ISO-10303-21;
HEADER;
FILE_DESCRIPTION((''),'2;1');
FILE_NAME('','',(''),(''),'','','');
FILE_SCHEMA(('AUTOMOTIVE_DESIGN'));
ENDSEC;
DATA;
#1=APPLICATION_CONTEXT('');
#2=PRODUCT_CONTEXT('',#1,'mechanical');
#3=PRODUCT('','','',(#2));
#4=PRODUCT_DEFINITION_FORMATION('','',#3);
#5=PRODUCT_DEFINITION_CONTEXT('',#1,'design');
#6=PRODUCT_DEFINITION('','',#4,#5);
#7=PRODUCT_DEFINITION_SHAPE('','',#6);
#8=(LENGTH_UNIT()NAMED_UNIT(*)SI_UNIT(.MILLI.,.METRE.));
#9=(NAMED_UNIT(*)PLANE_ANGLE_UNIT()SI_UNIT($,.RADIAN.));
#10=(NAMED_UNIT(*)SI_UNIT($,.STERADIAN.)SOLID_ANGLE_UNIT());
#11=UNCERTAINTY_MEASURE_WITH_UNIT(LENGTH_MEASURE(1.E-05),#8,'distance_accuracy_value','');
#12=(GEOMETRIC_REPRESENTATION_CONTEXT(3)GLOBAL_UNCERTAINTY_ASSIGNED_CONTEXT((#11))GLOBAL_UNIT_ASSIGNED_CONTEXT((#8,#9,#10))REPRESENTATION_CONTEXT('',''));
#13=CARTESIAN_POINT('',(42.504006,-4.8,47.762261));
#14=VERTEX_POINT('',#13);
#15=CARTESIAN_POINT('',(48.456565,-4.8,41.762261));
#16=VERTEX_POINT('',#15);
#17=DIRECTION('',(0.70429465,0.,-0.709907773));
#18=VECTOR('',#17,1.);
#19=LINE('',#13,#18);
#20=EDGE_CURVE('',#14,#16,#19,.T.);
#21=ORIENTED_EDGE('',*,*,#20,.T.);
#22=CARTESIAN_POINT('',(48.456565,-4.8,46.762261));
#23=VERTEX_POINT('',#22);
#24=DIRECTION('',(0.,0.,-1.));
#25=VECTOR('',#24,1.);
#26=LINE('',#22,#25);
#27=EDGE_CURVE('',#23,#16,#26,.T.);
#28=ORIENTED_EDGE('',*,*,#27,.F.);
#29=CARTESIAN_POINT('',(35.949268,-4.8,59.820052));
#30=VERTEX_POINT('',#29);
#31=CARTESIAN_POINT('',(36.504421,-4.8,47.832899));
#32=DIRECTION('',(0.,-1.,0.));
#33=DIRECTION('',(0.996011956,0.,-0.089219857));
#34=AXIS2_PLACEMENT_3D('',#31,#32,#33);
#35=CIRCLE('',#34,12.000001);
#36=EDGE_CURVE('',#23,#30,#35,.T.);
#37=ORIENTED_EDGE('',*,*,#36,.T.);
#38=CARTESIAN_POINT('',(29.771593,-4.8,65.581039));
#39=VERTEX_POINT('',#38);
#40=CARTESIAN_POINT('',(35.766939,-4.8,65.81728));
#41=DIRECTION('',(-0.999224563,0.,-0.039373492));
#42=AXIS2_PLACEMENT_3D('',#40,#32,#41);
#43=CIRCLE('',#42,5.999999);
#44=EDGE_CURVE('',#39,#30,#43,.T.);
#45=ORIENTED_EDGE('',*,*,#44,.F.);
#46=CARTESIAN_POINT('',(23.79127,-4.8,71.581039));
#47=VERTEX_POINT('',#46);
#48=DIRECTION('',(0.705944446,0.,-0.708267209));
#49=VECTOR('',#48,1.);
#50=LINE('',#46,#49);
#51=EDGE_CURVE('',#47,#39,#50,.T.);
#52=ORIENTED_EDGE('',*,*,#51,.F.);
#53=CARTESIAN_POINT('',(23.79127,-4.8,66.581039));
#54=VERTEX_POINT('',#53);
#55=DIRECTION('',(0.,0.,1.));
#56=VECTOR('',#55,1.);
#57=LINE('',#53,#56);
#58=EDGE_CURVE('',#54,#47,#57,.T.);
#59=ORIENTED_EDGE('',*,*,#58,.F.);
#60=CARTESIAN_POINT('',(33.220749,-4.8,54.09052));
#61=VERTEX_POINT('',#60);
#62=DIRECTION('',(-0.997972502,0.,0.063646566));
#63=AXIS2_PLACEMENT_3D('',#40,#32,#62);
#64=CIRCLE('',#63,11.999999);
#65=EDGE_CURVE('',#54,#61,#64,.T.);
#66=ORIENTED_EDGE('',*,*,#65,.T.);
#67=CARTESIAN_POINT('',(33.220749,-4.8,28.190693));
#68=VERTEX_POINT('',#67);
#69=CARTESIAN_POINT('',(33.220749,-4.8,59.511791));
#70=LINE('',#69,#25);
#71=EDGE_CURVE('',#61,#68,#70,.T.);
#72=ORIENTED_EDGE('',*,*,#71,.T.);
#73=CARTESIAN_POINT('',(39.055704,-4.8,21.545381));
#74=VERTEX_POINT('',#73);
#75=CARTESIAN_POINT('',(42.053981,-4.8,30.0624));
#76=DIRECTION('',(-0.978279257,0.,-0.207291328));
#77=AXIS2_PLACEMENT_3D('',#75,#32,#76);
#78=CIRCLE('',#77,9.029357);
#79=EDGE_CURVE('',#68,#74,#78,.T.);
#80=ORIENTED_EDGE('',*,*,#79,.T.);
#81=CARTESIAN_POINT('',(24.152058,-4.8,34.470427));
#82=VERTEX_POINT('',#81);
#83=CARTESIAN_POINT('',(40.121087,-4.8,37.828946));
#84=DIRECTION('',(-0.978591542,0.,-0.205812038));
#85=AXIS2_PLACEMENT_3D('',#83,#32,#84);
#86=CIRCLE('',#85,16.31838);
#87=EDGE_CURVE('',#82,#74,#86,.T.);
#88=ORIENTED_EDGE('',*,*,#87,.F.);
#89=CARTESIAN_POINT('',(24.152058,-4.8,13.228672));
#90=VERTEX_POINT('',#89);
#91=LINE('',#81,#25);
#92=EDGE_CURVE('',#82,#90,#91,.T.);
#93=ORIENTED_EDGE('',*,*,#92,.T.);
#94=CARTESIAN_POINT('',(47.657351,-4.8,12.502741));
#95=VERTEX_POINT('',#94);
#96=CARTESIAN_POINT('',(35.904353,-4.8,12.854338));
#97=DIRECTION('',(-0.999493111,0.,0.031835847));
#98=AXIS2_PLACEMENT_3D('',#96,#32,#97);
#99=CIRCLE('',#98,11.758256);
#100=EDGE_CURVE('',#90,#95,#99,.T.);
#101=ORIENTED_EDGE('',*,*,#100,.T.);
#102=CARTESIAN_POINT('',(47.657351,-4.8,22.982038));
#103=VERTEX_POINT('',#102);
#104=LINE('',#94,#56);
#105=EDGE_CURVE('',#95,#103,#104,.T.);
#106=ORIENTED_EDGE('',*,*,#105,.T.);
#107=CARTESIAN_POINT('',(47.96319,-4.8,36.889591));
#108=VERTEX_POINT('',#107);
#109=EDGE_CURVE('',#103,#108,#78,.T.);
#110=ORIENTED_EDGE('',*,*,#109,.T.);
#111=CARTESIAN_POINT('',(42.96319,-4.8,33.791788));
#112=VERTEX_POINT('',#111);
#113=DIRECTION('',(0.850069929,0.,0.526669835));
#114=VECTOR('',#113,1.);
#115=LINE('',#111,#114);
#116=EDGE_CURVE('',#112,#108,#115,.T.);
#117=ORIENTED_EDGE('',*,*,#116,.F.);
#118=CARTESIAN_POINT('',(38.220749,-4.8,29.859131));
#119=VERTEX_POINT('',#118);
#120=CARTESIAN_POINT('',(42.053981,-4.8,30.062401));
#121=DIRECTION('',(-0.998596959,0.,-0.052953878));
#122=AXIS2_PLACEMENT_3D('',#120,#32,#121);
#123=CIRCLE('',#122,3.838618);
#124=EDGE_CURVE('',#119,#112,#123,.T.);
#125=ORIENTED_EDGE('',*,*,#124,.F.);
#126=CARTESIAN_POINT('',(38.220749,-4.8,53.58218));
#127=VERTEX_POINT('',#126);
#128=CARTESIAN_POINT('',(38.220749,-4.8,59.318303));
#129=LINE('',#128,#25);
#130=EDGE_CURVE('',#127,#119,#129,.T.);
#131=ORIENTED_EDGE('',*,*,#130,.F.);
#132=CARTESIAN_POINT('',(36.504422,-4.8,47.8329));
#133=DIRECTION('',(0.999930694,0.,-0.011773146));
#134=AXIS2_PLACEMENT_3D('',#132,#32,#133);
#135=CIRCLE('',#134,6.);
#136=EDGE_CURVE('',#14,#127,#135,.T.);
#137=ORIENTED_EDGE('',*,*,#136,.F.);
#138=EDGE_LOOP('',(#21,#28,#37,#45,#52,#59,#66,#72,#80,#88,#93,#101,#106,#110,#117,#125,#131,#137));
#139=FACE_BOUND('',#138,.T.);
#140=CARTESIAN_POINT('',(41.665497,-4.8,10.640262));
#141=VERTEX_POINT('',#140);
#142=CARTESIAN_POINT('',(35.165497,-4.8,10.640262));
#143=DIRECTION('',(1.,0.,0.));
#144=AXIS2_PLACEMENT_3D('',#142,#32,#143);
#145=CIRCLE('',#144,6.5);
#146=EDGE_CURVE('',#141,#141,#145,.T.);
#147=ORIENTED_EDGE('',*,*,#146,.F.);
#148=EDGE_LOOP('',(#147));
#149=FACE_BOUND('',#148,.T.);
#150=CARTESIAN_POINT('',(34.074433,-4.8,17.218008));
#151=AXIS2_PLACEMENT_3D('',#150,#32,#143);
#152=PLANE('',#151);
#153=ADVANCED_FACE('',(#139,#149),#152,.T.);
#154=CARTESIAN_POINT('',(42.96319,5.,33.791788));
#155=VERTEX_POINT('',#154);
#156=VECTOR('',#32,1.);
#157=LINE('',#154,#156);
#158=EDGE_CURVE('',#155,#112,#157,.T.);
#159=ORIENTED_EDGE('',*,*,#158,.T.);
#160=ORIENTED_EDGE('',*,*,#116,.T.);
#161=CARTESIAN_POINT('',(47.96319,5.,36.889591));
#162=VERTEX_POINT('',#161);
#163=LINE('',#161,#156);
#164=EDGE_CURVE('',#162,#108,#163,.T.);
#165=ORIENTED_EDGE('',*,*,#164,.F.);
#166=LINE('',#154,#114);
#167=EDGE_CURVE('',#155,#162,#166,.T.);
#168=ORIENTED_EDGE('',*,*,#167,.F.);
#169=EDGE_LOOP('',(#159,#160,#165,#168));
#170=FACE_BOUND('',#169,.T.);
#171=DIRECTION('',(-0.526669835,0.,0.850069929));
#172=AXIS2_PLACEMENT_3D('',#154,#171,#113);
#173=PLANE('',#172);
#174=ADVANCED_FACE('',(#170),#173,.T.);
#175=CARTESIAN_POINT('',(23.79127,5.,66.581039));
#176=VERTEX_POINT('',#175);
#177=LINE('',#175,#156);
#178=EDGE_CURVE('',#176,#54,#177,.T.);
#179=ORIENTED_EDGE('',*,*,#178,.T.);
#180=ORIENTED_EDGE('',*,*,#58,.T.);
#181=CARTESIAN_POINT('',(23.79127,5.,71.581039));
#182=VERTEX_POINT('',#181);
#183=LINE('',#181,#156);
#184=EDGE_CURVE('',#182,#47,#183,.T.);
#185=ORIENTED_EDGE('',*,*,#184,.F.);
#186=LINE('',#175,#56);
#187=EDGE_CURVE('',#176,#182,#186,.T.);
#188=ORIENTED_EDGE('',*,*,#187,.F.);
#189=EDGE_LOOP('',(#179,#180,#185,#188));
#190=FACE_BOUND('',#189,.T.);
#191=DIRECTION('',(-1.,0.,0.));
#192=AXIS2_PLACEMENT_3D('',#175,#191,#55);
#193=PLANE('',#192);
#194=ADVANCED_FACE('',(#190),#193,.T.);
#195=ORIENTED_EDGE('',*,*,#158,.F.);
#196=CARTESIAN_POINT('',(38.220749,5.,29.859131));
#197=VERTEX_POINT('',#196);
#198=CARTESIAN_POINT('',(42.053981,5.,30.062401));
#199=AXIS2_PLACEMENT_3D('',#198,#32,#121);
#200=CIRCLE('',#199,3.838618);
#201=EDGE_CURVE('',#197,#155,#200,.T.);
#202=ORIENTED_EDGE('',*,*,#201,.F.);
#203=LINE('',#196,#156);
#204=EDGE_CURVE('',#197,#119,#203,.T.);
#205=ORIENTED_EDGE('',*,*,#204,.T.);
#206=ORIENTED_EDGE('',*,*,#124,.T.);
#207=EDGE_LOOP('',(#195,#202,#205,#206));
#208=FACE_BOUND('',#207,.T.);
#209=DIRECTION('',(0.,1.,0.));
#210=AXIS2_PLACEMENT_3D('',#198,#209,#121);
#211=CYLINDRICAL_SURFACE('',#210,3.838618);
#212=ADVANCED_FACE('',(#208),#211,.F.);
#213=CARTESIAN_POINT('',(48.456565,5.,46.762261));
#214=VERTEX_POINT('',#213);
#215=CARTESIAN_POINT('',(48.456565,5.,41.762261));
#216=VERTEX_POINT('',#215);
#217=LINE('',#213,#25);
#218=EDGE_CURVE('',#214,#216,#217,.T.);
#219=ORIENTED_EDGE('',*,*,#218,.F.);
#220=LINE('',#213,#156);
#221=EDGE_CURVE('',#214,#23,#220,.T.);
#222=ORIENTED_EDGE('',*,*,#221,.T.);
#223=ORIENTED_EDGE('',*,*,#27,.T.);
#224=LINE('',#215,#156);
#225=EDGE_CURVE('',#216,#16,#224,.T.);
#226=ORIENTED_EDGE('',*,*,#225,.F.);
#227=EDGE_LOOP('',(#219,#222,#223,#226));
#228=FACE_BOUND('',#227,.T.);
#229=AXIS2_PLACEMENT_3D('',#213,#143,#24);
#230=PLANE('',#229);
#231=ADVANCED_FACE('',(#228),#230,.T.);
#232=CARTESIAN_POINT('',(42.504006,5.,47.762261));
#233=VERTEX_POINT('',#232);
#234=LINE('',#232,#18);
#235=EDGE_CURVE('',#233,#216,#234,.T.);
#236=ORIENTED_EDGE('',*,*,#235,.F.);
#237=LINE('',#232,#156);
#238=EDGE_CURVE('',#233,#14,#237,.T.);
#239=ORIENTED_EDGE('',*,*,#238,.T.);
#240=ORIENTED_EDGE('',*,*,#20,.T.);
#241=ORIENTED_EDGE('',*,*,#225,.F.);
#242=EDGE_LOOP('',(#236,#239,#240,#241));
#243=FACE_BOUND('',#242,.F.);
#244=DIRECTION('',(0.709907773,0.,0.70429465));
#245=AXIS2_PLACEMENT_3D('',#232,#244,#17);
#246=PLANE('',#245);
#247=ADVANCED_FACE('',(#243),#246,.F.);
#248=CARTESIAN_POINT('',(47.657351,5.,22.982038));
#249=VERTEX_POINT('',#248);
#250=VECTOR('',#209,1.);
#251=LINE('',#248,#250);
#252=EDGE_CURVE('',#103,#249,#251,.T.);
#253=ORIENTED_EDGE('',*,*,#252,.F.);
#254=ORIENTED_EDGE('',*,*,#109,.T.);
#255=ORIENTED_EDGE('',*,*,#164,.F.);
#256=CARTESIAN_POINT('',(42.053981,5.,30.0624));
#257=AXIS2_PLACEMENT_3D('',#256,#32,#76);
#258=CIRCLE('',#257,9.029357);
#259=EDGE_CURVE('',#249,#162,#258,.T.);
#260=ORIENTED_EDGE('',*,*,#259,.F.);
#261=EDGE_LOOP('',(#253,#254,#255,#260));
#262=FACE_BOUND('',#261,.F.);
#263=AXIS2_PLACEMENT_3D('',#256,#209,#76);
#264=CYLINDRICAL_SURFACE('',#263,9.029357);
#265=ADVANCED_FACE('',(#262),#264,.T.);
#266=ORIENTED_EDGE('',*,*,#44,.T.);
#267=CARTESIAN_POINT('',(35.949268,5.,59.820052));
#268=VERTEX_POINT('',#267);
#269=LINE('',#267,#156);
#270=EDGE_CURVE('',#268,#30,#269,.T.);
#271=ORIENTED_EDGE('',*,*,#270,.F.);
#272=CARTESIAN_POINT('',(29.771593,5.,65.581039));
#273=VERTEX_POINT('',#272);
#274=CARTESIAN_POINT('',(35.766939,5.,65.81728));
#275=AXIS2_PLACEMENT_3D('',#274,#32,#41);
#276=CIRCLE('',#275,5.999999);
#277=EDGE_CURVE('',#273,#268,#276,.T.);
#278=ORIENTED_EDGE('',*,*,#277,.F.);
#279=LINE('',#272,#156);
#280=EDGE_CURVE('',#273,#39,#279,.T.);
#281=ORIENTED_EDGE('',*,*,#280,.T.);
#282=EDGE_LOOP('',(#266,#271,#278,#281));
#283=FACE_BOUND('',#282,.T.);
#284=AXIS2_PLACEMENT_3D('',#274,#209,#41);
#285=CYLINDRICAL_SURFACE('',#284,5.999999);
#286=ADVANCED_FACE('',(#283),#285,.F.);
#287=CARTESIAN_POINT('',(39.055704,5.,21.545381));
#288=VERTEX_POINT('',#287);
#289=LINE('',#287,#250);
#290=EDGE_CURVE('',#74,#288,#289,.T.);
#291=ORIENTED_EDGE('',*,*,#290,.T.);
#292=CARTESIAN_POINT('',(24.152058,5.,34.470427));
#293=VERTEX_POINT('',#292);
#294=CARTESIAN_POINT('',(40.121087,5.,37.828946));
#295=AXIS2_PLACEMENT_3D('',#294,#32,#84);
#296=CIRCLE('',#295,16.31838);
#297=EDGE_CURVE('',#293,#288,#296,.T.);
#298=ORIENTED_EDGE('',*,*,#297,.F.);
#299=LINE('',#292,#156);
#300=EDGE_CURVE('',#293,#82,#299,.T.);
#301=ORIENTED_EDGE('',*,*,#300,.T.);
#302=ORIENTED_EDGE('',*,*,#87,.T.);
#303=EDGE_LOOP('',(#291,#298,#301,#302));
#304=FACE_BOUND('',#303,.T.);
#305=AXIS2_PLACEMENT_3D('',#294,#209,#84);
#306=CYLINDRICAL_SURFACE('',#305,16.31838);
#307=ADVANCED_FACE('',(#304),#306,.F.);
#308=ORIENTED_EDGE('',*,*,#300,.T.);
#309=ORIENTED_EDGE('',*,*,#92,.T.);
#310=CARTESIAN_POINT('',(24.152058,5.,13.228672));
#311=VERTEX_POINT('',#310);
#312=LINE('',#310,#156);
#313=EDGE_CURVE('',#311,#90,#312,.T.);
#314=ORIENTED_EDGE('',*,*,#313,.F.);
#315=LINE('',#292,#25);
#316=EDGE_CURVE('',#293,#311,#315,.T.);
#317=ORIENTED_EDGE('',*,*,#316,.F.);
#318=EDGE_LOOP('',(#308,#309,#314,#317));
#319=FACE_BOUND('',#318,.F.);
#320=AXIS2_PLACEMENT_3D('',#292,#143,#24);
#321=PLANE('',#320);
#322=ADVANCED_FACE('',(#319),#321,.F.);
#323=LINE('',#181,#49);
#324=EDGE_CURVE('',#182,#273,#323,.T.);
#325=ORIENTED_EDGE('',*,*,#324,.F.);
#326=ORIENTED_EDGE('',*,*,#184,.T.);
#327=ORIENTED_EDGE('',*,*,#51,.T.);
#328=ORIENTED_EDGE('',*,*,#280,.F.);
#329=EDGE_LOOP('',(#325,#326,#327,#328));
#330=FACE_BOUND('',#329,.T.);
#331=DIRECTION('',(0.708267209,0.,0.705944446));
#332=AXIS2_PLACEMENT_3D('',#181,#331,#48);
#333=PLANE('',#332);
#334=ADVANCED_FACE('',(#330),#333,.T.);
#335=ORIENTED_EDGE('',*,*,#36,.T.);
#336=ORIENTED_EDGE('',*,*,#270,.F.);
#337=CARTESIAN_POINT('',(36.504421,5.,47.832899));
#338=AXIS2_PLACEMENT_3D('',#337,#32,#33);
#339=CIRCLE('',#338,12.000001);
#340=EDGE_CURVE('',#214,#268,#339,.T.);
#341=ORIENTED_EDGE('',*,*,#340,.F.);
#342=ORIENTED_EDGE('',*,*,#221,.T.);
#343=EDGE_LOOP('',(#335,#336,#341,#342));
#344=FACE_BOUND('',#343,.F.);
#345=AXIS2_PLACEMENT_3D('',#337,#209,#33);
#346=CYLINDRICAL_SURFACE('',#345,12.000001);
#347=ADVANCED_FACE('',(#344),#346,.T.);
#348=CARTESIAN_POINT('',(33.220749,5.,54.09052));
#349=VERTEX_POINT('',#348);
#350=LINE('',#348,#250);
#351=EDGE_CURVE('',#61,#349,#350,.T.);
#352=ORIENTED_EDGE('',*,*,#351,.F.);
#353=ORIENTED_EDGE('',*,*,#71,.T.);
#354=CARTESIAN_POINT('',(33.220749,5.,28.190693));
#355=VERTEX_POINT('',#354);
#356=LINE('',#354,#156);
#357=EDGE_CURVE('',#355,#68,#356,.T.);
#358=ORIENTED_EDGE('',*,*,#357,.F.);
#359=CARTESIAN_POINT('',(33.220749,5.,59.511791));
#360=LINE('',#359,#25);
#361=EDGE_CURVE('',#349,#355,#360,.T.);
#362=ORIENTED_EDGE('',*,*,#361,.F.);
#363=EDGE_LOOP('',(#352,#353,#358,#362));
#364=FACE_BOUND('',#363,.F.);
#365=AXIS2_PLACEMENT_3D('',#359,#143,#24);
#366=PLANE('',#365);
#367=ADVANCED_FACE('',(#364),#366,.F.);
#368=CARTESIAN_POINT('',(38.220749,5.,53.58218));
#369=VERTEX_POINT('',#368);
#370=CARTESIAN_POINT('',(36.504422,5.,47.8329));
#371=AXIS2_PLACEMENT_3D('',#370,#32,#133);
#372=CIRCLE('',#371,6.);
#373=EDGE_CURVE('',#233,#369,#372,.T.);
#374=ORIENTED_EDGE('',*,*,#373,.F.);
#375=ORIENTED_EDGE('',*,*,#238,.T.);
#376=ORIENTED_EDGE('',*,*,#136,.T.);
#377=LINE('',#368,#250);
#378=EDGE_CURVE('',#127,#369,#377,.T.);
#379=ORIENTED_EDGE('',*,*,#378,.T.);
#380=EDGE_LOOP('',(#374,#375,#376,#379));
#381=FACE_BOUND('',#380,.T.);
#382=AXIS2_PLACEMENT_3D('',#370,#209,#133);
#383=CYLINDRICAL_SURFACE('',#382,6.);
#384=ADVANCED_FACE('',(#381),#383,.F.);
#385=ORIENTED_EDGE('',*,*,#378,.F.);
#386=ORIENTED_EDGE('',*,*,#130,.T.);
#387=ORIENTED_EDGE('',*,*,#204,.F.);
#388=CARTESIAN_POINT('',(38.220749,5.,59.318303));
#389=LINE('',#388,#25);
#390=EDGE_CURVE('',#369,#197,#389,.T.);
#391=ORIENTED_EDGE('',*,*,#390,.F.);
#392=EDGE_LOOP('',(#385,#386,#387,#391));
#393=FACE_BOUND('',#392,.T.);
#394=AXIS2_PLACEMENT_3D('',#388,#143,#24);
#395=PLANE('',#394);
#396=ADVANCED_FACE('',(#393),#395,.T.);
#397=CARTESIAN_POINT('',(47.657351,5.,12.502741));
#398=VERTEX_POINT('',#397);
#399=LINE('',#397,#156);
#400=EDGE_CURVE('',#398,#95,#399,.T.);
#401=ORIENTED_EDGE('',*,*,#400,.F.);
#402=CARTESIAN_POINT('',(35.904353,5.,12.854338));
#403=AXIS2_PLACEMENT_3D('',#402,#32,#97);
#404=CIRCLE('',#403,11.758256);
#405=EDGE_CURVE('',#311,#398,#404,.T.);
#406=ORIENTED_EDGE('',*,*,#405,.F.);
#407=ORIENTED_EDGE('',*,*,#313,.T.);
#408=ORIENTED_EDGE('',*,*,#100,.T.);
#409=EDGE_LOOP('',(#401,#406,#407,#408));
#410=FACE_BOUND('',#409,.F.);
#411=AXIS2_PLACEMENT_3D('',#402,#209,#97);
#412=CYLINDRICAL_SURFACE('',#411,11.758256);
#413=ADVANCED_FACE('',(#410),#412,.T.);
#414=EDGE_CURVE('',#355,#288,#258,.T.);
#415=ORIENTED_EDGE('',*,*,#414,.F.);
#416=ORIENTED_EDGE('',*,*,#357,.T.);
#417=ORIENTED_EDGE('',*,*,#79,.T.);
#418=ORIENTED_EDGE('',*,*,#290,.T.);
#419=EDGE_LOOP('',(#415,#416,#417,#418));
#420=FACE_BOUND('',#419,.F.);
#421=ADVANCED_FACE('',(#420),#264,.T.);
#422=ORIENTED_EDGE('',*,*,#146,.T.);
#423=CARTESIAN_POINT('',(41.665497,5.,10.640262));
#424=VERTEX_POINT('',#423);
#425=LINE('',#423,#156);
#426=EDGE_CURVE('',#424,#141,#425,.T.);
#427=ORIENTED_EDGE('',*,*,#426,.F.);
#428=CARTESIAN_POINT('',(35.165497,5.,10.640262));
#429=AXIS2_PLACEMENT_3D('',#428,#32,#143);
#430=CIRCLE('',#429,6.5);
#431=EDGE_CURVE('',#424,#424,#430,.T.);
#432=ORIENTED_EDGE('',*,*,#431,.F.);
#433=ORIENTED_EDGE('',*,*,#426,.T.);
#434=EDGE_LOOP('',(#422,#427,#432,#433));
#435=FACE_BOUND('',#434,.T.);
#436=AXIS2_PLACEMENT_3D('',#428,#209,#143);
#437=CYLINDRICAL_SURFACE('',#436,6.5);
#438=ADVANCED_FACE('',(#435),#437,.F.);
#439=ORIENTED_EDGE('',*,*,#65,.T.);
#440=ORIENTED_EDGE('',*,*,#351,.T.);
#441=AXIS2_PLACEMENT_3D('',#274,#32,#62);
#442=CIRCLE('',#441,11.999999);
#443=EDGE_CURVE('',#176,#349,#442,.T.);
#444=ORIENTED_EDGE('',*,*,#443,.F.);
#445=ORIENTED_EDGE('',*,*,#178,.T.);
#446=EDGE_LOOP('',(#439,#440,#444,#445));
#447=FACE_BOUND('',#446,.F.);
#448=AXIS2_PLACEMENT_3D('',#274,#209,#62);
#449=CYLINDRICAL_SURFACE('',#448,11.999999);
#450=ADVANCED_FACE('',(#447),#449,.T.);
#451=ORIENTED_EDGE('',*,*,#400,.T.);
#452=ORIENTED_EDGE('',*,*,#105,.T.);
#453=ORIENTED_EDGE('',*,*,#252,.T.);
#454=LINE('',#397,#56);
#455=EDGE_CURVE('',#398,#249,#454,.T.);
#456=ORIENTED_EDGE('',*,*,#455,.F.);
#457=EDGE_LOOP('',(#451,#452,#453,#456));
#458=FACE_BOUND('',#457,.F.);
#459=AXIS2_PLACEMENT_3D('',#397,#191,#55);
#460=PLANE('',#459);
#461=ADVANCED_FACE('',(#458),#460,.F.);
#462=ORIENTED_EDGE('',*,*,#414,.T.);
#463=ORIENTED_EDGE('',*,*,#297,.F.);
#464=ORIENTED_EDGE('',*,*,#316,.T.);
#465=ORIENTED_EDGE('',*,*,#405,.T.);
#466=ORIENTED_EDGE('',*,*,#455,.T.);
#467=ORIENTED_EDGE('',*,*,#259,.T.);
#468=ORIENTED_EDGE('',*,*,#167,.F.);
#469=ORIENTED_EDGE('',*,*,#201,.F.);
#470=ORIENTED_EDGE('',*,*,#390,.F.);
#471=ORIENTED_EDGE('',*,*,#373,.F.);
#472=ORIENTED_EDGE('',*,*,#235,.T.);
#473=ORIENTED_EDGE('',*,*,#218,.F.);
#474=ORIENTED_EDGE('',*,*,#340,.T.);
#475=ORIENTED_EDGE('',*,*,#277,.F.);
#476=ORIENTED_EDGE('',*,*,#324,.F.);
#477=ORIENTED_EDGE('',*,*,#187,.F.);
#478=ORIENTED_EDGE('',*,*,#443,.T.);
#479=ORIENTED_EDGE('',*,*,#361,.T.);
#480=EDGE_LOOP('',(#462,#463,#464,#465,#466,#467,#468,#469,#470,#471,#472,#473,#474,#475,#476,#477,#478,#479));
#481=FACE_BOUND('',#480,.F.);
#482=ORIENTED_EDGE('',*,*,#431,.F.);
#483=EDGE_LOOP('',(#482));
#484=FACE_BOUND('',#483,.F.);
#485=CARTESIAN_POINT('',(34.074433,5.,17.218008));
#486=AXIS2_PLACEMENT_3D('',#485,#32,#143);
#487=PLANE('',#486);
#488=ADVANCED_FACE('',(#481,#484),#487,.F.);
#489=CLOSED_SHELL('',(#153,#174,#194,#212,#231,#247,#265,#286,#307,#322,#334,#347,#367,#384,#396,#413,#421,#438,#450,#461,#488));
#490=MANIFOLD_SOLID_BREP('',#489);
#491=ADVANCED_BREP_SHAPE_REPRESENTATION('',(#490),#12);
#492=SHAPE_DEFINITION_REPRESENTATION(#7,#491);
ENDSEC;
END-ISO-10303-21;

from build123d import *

# Parameters (mm, degrees)
PAD005_DEPTH = 9.8
SKETCH007_R  = 6.5
PAD006_DEPTH = 9.8
PAD004_DEPTH = 9.8


with BuildPart() as pad005:
    # Sketch005 → Pad005 (new body)
    with BuildSketch(Plane.XZ.offset(-5)):
        with BuildLine():
            ThreePointArc((42.504006, 47.762261), (40.661796, 52.159127), (36.195109, 53.824922))
            ThreePointArc((23.79127, 66.581039), (27.163695, 57.451626), (36.195109, 53.824922))
            Line((23.79127, 66.581039), (23.79127, 71.581039))
            Line((23.79127, 71.581039), (29.771593, 65.581039))
            ThreePointArc((29.771593, 65.581039), (31.67487, 61.429233), (35.949268, 59.820052))
            ThreePointArc((48.456565, 46.762261), (45.170408, 56.133543), (35.949268, 59.820052))
            Line((48.456565, 46.762261), (48.456565, 41.762261))
            Line((42.504006, 47.762261), (48.456565, 41.762261))
        make_face()
    extrude(amount=PAD005_DEPTH)


with BuildPart() as pad006:
    # Sketch007 → Pad006 (new body)
    with BuildSketch(Plane.XZ.offset(-5)):
        with BuildLine():
            ThreePointArc((24.152058, 13.228672), (35.541387, 1.101686), (47.657351, 12.502741))
            Line((47.657351, 12.502741), (47.657351, 23.35503))
            ThreePointArc((24.152058, 34.470427), (33.144992, 23.076874), (47.657351, 23.35503))
            Line((24.152058, 34.470427), (24.152058, 13.228672))
        make_face()
        with Locations((35.165497, 10.640262)):
            Circle(SKETCH007_R, mode=Mode.SUBTRACT)
    extrude(amount=PAD006_DEPTH)


with BuildPart() as fusion:
    # Sketch006 → Pad004 (new body)
    with BuildSketch(Plane.XZ.offset(-5)):
        with BuildLine():
            Line((33.220749, 59.511791), (33.220749, 28.190693))
            ThreePointArc((33.220749, 28.190693), (46.642574, 22.285891), (47.96319, 36.889591))
            Line((42.96319, 33.791788), (47.96319, 36.889591))
            ThreePointArc((38.220749, 29.859131), (44.504272, 27.107563), (42.96319, 33.791788))
            Line((38.220749, 59.318303), (38.220749, 29.859131))
            Line((33.220749, 59.511791), (38.220749, 59.318303))
        make_face()
    extrude(amount=PAD004_DEPTH)

    # Fusion: union Pad005, Pad006
    add(pad005.part)
    add(pad006.part)


solid = fusion.part
